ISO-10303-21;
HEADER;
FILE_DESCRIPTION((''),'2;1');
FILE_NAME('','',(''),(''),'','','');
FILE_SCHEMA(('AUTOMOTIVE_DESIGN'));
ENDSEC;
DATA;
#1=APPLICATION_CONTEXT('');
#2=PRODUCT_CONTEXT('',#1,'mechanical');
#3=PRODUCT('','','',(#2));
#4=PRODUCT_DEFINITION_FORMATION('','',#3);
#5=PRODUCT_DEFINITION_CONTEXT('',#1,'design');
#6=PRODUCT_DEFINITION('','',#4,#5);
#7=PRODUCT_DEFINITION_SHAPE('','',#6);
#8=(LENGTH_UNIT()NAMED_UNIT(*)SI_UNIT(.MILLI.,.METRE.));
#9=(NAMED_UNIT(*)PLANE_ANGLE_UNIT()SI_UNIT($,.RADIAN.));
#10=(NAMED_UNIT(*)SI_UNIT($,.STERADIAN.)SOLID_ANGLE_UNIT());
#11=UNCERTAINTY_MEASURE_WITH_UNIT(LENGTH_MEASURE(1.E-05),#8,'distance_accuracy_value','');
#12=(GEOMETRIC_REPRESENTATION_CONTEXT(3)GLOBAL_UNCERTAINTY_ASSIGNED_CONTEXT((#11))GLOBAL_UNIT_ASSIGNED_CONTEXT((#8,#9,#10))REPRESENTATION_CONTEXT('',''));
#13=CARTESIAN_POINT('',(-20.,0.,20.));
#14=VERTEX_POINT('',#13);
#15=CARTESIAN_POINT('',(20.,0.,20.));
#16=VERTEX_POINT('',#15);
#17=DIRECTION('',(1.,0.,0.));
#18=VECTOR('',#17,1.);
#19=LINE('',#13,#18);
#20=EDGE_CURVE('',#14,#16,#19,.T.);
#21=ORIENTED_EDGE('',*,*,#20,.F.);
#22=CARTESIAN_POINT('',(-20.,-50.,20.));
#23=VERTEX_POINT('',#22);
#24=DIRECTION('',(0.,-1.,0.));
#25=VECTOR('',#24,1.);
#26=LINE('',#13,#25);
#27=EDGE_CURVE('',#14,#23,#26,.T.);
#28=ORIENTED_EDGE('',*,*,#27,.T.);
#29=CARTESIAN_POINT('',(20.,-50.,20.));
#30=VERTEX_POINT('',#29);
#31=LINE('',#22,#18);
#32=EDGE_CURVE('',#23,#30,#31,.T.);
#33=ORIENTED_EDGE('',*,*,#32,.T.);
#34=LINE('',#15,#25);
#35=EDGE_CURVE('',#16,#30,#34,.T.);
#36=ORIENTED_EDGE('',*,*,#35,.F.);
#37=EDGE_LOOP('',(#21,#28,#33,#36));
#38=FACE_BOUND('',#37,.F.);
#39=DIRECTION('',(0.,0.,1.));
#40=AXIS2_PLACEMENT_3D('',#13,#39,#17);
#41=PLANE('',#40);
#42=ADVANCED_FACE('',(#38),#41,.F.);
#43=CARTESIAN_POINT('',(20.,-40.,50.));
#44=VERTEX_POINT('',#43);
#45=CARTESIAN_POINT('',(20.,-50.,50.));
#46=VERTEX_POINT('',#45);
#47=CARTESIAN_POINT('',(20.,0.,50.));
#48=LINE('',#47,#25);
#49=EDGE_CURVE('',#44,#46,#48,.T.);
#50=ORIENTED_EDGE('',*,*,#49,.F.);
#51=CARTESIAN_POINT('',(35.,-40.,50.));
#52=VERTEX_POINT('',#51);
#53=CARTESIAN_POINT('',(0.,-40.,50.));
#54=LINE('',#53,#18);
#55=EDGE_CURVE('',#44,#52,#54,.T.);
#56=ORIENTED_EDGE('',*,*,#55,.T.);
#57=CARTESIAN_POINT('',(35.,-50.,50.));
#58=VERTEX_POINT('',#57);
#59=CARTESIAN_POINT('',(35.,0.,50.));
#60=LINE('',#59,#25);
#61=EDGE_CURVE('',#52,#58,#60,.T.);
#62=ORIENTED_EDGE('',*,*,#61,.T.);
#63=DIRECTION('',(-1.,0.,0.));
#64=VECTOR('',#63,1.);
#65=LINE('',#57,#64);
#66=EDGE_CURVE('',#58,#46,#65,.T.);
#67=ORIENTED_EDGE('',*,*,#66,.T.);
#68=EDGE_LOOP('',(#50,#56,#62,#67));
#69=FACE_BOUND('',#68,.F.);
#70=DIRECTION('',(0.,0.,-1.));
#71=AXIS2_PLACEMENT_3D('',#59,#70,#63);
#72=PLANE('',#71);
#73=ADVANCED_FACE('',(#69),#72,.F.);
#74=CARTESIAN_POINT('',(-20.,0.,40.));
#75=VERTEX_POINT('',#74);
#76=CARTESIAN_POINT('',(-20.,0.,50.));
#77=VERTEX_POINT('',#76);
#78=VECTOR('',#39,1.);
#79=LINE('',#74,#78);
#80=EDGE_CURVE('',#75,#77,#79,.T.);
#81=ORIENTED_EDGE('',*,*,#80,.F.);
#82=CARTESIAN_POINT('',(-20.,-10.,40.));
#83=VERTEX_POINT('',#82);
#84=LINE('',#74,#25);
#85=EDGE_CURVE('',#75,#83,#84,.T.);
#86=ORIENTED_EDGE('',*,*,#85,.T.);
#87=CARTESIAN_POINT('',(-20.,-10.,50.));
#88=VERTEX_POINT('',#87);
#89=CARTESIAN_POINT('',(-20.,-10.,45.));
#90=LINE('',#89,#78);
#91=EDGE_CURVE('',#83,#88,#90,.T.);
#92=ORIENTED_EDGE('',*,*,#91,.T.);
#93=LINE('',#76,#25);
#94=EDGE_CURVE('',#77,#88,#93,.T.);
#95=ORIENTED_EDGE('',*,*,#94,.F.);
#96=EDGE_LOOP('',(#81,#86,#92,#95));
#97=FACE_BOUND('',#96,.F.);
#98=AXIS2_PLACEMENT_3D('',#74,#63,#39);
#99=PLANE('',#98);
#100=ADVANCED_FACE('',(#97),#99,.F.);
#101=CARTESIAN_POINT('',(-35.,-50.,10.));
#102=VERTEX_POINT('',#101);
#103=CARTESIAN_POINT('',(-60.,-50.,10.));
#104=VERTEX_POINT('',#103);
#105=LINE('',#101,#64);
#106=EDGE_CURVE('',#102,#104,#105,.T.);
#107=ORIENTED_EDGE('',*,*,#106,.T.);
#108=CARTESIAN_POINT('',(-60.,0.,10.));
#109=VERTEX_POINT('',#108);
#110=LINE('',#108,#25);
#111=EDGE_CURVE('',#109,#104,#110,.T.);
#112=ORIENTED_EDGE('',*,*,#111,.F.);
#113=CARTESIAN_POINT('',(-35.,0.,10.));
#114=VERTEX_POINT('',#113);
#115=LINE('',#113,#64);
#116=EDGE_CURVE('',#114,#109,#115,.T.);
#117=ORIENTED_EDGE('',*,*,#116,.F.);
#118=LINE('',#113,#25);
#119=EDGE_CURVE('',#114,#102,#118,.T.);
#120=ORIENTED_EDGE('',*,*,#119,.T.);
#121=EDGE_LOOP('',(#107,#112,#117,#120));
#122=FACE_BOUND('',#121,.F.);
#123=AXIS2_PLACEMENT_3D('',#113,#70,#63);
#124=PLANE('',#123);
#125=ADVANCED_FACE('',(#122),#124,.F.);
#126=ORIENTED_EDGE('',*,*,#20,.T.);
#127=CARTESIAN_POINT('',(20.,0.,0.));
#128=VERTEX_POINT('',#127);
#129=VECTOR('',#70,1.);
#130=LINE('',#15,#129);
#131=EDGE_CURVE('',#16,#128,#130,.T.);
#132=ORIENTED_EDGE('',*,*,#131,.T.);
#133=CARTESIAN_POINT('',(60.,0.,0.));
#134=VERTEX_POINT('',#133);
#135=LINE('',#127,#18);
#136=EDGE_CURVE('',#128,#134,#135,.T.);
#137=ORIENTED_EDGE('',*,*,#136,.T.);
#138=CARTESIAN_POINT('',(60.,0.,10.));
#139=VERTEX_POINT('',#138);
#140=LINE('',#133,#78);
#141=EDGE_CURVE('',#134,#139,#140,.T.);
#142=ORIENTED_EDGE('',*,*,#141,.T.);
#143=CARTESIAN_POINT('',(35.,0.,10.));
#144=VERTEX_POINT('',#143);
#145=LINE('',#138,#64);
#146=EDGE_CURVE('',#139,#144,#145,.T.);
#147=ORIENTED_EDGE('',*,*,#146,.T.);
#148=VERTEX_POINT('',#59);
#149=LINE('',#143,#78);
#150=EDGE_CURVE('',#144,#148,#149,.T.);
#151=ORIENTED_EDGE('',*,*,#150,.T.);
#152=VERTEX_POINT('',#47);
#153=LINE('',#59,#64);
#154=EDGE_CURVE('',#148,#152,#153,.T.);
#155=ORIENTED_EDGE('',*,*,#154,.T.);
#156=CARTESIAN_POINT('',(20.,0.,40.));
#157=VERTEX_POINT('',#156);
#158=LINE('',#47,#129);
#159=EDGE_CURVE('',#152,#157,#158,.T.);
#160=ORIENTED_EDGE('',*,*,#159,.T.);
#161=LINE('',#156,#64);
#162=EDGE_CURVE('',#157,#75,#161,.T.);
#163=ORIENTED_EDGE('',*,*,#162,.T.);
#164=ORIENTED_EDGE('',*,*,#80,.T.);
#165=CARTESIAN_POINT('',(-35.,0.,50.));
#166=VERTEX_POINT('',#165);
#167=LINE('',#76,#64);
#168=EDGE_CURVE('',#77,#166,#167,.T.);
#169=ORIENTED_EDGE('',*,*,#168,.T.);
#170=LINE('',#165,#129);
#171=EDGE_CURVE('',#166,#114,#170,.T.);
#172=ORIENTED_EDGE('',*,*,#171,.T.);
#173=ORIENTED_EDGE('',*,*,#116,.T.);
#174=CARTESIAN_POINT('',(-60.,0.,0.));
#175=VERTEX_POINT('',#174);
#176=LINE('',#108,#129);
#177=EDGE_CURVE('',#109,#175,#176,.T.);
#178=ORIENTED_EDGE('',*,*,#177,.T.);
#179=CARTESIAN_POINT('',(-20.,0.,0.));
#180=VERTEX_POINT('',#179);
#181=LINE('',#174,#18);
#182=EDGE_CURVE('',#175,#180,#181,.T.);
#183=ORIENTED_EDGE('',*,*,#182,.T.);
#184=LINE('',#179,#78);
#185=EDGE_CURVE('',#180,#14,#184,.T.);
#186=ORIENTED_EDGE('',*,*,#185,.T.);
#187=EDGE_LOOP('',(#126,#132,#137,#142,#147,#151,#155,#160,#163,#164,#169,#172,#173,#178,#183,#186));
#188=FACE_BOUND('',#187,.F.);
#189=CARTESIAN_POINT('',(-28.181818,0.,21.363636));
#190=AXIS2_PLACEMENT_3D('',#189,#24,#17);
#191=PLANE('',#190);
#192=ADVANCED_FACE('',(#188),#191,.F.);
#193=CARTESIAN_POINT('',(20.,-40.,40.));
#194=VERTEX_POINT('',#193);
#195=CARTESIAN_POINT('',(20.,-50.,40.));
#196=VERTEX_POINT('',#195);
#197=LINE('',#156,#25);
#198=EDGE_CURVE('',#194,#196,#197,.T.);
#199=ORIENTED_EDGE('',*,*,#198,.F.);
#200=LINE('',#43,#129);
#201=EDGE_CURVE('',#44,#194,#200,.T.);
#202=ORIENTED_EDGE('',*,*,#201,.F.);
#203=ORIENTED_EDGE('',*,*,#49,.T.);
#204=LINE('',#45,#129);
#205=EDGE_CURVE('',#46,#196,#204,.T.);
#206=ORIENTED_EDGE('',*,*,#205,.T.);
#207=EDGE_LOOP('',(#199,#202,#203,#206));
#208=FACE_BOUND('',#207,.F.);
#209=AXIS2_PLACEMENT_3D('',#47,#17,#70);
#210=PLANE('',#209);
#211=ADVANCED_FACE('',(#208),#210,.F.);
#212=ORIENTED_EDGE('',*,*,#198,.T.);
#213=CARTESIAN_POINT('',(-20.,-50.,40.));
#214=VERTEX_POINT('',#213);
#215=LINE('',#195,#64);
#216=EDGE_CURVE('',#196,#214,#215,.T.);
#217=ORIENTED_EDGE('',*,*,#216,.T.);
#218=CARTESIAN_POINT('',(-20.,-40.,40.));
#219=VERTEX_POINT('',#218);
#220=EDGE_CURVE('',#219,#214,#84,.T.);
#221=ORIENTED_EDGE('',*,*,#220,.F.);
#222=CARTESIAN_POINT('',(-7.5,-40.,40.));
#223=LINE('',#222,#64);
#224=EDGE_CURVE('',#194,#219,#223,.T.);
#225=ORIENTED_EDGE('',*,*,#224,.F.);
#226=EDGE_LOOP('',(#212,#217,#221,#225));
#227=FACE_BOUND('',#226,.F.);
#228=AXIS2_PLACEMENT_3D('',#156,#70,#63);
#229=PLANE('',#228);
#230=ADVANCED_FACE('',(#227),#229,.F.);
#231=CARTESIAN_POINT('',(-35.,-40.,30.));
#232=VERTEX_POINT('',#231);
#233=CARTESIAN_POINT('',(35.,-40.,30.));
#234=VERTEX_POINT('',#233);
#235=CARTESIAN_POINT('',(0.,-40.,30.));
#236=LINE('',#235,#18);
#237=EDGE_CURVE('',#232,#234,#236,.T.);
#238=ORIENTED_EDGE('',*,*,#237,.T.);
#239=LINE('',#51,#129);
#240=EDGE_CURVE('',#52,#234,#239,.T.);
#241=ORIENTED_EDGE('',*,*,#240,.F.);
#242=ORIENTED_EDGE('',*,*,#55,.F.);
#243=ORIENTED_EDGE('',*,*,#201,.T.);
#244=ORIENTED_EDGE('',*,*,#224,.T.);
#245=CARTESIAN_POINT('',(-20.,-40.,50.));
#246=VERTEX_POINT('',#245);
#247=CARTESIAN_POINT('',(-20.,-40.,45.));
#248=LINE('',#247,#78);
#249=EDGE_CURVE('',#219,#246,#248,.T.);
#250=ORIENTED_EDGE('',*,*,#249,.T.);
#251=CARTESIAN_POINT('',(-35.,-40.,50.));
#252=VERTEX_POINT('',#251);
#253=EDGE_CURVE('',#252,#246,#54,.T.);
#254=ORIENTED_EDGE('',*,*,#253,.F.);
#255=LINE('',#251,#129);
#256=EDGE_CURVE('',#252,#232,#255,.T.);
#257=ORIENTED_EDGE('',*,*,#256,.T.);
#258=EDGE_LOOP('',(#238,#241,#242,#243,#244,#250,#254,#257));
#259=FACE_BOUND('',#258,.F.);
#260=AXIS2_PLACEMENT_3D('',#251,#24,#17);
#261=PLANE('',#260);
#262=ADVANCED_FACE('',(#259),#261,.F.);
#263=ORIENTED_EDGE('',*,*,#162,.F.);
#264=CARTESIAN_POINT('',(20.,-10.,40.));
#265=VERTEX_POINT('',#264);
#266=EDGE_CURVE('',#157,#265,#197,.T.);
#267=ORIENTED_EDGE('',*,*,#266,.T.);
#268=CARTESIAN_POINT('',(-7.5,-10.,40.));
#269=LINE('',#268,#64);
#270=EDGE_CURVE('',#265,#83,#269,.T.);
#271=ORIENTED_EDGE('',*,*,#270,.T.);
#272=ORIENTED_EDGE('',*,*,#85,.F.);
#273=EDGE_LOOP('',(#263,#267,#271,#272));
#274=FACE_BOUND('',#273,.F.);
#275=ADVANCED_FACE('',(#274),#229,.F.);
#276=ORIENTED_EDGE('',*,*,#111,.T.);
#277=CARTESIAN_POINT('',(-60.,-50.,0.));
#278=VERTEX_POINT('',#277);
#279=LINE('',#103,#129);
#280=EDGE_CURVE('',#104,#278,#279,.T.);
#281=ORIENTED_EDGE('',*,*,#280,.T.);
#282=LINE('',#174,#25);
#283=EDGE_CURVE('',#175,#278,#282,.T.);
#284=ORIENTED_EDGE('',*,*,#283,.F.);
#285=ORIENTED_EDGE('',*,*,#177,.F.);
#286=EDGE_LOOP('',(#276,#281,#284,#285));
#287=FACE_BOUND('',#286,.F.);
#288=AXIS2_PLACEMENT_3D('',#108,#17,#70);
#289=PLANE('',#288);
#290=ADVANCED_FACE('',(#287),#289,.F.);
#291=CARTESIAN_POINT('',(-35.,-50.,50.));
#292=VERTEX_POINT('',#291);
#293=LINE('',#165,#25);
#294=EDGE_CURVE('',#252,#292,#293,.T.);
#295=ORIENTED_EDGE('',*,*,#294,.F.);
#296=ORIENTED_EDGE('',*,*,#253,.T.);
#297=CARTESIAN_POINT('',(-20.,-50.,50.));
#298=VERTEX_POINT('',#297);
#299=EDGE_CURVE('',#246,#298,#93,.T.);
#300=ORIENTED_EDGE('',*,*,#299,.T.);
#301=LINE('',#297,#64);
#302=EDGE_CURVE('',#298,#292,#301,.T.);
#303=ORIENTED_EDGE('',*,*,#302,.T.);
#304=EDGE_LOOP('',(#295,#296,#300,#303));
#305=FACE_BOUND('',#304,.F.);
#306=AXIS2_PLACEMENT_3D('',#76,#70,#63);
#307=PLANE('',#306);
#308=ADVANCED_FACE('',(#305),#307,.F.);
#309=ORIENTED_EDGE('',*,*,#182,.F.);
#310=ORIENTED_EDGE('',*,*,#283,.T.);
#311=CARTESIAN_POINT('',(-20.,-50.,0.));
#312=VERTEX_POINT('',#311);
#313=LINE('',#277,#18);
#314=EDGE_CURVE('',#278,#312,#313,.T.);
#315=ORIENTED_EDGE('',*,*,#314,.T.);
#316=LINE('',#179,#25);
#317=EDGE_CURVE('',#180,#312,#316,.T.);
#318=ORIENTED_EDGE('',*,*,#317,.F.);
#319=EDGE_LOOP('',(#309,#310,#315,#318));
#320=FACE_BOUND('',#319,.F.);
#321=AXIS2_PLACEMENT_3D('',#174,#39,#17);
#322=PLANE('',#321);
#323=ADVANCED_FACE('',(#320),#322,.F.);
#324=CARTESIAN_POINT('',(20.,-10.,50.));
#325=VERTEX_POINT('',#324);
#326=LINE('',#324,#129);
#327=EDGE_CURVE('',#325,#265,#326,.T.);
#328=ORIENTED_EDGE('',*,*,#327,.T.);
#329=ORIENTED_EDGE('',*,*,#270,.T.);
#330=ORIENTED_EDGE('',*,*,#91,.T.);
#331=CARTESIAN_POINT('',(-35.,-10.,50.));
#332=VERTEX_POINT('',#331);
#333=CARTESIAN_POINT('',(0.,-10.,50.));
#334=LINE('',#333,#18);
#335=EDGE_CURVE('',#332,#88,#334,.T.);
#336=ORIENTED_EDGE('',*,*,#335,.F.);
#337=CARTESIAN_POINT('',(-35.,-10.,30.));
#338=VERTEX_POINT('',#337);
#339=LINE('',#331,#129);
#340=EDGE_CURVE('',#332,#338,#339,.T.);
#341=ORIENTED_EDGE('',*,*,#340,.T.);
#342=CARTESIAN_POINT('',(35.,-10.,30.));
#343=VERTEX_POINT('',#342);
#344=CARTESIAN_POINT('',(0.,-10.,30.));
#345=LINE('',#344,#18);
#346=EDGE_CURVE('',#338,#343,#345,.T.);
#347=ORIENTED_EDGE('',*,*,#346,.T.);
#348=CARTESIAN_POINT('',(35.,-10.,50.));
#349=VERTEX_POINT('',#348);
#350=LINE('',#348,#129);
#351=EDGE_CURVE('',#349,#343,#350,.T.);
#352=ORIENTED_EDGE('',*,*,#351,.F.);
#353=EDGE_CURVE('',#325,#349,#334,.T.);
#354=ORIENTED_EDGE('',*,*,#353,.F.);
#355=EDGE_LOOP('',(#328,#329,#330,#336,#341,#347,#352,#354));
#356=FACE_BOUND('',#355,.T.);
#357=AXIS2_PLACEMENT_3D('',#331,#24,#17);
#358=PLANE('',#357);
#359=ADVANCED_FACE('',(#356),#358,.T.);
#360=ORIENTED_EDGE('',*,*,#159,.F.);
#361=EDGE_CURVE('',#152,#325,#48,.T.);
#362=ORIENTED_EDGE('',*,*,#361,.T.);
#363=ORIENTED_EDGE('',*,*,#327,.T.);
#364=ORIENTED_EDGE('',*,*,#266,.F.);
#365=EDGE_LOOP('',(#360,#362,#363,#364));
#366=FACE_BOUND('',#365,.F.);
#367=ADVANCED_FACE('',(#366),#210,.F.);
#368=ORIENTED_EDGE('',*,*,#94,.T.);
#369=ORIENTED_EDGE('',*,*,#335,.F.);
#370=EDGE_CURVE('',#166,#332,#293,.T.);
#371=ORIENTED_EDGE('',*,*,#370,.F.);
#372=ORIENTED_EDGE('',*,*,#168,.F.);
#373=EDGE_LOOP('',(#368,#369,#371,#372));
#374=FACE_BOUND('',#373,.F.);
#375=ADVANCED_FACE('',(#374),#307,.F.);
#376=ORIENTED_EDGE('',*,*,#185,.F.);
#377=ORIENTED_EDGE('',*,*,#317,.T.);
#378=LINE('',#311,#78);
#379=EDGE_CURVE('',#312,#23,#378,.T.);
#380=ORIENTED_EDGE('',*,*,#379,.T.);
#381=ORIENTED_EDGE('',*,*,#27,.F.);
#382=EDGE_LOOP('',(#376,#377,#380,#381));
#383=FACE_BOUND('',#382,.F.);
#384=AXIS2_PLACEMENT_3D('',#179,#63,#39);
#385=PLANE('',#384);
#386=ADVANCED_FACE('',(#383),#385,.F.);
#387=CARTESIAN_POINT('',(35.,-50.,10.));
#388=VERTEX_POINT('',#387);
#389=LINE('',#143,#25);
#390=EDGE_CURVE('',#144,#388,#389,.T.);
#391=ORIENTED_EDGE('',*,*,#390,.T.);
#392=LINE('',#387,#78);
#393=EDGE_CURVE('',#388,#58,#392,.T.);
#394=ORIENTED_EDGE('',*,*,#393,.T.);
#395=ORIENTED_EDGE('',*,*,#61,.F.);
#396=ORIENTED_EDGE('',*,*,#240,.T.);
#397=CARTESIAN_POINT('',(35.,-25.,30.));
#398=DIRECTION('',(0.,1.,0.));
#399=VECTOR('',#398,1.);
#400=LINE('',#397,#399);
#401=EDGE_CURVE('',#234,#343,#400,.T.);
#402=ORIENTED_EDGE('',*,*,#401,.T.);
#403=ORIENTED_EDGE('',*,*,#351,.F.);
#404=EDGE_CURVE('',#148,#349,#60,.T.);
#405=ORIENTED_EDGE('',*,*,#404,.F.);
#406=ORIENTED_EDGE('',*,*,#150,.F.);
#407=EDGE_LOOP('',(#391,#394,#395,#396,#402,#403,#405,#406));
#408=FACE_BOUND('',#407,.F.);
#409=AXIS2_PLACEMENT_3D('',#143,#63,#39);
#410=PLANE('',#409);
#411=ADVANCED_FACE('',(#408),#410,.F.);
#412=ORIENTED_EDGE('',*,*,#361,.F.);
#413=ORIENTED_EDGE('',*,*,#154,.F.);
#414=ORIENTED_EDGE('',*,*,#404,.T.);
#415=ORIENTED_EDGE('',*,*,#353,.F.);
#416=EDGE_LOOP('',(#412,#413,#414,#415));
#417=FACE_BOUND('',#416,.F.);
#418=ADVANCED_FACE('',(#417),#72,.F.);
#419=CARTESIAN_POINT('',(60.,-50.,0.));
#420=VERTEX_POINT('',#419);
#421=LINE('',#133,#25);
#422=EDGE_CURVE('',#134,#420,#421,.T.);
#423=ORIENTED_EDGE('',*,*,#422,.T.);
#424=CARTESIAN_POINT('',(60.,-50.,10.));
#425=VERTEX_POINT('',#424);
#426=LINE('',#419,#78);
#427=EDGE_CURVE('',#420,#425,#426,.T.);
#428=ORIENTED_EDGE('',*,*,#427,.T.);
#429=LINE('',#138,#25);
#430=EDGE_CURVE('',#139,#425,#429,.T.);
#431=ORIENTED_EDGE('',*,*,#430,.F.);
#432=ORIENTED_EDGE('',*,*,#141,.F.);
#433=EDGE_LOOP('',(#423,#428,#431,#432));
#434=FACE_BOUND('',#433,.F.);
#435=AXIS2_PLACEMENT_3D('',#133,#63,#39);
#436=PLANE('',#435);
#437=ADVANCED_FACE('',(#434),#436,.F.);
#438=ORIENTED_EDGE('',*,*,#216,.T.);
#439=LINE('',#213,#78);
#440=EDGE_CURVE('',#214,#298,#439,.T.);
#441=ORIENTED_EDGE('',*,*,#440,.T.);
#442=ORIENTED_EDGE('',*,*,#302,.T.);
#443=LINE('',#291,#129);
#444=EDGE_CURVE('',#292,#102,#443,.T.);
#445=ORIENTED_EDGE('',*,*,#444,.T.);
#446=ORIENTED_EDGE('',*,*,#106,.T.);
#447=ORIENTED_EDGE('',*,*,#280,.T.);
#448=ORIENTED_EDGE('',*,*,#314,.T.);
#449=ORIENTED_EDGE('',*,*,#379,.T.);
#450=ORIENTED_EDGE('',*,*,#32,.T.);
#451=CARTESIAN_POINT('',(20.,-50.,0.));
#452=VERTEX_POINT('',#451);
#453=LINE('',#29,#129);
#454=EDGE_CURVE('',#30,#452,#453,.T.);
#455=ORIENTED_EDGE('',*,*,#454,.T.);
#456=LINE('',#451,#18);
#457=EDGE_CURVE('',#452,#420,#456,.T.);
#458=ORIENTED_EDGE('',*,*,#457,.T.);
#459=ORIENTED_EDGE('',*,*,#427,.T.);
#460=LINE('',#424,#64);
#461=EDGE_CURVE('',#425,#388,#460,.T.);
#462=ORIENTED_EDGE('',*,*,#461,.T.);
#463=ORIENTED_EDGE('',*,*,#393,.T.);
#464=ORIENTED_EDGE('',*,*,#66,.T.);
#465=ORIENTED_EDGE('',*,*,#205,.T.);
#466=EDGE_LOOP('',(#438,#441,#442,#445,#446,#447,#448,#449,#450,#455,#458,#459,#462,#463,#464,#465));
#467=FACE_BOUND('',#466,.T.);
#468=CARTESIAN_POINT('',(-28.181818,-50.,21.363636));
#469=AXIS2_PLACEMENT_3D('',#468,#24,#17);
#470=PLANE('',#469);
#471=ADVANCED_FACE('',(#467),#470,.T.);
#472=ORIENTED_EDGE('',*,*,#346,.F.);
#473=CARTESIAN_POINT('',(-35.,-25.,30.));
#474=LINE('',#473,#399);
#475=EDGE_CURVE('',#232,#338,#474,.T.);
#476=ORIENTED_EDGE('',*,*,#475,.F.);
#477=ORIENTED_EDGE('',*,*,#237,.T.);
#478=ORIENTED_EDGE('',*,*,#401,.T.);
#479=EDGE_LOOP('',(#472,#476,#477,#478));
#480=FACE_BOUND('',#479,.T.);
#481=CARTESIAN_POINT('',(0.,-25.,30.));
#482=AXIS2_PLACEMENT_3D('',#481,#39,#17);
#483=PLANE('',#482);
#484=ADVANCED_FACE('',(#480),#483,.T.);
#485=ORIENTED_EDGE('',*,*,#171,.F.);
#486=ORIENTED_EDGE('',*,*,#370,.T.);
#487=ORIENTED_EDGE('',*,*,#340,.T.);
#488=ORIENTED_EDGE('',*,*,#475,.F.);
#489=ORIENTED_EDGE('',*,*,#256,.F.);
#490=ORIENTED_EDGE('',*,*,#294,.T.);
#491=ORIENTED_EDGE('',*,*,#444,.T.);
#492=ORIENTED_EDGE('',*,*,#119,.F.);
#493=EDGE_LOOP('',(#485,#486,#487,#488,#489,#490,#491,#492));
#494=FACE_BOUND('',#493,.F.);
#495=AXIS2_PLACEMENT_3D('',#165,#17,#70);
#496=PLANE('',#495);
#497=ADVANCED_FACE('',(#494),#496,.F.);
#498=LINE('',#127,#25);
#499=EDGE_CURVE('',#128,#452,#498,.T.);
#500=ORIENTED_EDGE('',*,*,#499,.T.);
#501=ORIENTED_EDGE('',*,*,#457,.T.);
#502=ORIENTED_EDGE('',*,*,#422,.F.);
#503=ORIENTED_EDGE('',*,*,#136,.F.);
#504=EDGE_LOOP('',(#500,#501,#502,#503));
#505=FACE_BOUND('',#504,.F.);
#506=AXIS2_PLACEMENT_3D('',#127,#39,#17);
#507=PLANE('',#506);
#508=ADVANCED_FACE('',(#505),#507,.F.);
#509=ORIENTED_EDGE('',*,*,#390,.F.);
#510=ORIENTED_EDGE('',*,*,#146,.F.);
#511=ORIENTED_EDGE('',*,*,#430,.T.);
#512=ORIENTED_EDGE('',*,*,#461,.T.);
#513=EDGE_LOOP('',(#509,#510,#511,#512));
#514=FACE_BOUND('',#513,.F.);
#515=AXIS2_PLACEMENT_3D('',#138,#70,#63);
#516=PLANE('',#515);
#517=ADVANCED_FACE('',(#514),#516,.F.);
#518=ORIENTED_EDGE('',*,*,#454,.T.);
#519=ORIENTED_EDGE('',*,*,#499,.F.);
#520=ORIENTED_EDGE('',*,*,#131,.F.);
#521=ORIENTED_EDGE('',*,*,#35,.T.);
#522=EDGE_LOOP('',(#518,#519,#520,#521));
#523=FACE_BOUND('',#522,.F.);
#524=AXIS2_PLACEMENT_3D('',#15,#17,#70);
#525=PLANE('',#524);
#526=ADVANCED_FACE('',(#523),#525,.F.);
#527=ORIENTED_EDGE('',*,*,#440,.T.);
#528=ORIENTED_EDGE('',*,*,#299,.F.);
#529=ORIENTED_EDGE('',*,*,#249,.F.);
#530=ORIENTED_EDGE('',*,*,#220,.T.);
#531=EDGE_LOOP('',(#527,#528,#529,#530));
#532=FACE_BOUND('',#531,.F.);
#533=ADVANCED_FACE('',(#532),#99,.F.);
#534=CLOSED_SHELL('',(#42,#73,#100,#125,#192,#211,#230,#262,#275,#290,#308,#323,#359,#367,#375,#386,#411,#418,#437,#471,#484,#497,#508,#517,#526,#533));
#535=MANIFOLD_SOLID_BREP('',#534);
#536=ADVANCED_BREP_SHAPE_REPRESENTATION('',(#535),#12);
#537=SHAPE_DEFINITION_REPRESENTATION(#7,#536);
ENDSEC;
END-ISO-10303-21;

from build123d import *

# Parameters (mm, degrees)
F2_DEPTH = 50
F3_W     = 70
F3_H     = 30
F4_DEPTH = 20


with BuildPart() as f2:
    # F1 (on Front) → F2 (new body)
    with BuildSketch(Plane.XZ):
        Polygon((-60, 0), (-23.1733145698, 0), (-20, 0), (-20, 20), (0, 20), (0, 40), (-20, 40), (-20, 50), (-35, 50), (-35, 10), (-60, 10), align=None)
        Polygon((0, 40), (0, 20), (20, 20), (20, 0), (23.1733145698, 0), (60, 0), (60, 10), (35, 10), (35, 50), (20, 50), (20, 40), align=None)
    extrude(amount=F2_DEPTH)

    # F3 (on face) → F4 (cut)
    with BuildSketch(Plane.XY.offset(50)):
        with Locations((0, -25)):
            Rectangle(F3_W, F3_H)
    extrude(amount=-F4_DEPTH, mode=Mode.SUBTRACT)


solid = f2.part
